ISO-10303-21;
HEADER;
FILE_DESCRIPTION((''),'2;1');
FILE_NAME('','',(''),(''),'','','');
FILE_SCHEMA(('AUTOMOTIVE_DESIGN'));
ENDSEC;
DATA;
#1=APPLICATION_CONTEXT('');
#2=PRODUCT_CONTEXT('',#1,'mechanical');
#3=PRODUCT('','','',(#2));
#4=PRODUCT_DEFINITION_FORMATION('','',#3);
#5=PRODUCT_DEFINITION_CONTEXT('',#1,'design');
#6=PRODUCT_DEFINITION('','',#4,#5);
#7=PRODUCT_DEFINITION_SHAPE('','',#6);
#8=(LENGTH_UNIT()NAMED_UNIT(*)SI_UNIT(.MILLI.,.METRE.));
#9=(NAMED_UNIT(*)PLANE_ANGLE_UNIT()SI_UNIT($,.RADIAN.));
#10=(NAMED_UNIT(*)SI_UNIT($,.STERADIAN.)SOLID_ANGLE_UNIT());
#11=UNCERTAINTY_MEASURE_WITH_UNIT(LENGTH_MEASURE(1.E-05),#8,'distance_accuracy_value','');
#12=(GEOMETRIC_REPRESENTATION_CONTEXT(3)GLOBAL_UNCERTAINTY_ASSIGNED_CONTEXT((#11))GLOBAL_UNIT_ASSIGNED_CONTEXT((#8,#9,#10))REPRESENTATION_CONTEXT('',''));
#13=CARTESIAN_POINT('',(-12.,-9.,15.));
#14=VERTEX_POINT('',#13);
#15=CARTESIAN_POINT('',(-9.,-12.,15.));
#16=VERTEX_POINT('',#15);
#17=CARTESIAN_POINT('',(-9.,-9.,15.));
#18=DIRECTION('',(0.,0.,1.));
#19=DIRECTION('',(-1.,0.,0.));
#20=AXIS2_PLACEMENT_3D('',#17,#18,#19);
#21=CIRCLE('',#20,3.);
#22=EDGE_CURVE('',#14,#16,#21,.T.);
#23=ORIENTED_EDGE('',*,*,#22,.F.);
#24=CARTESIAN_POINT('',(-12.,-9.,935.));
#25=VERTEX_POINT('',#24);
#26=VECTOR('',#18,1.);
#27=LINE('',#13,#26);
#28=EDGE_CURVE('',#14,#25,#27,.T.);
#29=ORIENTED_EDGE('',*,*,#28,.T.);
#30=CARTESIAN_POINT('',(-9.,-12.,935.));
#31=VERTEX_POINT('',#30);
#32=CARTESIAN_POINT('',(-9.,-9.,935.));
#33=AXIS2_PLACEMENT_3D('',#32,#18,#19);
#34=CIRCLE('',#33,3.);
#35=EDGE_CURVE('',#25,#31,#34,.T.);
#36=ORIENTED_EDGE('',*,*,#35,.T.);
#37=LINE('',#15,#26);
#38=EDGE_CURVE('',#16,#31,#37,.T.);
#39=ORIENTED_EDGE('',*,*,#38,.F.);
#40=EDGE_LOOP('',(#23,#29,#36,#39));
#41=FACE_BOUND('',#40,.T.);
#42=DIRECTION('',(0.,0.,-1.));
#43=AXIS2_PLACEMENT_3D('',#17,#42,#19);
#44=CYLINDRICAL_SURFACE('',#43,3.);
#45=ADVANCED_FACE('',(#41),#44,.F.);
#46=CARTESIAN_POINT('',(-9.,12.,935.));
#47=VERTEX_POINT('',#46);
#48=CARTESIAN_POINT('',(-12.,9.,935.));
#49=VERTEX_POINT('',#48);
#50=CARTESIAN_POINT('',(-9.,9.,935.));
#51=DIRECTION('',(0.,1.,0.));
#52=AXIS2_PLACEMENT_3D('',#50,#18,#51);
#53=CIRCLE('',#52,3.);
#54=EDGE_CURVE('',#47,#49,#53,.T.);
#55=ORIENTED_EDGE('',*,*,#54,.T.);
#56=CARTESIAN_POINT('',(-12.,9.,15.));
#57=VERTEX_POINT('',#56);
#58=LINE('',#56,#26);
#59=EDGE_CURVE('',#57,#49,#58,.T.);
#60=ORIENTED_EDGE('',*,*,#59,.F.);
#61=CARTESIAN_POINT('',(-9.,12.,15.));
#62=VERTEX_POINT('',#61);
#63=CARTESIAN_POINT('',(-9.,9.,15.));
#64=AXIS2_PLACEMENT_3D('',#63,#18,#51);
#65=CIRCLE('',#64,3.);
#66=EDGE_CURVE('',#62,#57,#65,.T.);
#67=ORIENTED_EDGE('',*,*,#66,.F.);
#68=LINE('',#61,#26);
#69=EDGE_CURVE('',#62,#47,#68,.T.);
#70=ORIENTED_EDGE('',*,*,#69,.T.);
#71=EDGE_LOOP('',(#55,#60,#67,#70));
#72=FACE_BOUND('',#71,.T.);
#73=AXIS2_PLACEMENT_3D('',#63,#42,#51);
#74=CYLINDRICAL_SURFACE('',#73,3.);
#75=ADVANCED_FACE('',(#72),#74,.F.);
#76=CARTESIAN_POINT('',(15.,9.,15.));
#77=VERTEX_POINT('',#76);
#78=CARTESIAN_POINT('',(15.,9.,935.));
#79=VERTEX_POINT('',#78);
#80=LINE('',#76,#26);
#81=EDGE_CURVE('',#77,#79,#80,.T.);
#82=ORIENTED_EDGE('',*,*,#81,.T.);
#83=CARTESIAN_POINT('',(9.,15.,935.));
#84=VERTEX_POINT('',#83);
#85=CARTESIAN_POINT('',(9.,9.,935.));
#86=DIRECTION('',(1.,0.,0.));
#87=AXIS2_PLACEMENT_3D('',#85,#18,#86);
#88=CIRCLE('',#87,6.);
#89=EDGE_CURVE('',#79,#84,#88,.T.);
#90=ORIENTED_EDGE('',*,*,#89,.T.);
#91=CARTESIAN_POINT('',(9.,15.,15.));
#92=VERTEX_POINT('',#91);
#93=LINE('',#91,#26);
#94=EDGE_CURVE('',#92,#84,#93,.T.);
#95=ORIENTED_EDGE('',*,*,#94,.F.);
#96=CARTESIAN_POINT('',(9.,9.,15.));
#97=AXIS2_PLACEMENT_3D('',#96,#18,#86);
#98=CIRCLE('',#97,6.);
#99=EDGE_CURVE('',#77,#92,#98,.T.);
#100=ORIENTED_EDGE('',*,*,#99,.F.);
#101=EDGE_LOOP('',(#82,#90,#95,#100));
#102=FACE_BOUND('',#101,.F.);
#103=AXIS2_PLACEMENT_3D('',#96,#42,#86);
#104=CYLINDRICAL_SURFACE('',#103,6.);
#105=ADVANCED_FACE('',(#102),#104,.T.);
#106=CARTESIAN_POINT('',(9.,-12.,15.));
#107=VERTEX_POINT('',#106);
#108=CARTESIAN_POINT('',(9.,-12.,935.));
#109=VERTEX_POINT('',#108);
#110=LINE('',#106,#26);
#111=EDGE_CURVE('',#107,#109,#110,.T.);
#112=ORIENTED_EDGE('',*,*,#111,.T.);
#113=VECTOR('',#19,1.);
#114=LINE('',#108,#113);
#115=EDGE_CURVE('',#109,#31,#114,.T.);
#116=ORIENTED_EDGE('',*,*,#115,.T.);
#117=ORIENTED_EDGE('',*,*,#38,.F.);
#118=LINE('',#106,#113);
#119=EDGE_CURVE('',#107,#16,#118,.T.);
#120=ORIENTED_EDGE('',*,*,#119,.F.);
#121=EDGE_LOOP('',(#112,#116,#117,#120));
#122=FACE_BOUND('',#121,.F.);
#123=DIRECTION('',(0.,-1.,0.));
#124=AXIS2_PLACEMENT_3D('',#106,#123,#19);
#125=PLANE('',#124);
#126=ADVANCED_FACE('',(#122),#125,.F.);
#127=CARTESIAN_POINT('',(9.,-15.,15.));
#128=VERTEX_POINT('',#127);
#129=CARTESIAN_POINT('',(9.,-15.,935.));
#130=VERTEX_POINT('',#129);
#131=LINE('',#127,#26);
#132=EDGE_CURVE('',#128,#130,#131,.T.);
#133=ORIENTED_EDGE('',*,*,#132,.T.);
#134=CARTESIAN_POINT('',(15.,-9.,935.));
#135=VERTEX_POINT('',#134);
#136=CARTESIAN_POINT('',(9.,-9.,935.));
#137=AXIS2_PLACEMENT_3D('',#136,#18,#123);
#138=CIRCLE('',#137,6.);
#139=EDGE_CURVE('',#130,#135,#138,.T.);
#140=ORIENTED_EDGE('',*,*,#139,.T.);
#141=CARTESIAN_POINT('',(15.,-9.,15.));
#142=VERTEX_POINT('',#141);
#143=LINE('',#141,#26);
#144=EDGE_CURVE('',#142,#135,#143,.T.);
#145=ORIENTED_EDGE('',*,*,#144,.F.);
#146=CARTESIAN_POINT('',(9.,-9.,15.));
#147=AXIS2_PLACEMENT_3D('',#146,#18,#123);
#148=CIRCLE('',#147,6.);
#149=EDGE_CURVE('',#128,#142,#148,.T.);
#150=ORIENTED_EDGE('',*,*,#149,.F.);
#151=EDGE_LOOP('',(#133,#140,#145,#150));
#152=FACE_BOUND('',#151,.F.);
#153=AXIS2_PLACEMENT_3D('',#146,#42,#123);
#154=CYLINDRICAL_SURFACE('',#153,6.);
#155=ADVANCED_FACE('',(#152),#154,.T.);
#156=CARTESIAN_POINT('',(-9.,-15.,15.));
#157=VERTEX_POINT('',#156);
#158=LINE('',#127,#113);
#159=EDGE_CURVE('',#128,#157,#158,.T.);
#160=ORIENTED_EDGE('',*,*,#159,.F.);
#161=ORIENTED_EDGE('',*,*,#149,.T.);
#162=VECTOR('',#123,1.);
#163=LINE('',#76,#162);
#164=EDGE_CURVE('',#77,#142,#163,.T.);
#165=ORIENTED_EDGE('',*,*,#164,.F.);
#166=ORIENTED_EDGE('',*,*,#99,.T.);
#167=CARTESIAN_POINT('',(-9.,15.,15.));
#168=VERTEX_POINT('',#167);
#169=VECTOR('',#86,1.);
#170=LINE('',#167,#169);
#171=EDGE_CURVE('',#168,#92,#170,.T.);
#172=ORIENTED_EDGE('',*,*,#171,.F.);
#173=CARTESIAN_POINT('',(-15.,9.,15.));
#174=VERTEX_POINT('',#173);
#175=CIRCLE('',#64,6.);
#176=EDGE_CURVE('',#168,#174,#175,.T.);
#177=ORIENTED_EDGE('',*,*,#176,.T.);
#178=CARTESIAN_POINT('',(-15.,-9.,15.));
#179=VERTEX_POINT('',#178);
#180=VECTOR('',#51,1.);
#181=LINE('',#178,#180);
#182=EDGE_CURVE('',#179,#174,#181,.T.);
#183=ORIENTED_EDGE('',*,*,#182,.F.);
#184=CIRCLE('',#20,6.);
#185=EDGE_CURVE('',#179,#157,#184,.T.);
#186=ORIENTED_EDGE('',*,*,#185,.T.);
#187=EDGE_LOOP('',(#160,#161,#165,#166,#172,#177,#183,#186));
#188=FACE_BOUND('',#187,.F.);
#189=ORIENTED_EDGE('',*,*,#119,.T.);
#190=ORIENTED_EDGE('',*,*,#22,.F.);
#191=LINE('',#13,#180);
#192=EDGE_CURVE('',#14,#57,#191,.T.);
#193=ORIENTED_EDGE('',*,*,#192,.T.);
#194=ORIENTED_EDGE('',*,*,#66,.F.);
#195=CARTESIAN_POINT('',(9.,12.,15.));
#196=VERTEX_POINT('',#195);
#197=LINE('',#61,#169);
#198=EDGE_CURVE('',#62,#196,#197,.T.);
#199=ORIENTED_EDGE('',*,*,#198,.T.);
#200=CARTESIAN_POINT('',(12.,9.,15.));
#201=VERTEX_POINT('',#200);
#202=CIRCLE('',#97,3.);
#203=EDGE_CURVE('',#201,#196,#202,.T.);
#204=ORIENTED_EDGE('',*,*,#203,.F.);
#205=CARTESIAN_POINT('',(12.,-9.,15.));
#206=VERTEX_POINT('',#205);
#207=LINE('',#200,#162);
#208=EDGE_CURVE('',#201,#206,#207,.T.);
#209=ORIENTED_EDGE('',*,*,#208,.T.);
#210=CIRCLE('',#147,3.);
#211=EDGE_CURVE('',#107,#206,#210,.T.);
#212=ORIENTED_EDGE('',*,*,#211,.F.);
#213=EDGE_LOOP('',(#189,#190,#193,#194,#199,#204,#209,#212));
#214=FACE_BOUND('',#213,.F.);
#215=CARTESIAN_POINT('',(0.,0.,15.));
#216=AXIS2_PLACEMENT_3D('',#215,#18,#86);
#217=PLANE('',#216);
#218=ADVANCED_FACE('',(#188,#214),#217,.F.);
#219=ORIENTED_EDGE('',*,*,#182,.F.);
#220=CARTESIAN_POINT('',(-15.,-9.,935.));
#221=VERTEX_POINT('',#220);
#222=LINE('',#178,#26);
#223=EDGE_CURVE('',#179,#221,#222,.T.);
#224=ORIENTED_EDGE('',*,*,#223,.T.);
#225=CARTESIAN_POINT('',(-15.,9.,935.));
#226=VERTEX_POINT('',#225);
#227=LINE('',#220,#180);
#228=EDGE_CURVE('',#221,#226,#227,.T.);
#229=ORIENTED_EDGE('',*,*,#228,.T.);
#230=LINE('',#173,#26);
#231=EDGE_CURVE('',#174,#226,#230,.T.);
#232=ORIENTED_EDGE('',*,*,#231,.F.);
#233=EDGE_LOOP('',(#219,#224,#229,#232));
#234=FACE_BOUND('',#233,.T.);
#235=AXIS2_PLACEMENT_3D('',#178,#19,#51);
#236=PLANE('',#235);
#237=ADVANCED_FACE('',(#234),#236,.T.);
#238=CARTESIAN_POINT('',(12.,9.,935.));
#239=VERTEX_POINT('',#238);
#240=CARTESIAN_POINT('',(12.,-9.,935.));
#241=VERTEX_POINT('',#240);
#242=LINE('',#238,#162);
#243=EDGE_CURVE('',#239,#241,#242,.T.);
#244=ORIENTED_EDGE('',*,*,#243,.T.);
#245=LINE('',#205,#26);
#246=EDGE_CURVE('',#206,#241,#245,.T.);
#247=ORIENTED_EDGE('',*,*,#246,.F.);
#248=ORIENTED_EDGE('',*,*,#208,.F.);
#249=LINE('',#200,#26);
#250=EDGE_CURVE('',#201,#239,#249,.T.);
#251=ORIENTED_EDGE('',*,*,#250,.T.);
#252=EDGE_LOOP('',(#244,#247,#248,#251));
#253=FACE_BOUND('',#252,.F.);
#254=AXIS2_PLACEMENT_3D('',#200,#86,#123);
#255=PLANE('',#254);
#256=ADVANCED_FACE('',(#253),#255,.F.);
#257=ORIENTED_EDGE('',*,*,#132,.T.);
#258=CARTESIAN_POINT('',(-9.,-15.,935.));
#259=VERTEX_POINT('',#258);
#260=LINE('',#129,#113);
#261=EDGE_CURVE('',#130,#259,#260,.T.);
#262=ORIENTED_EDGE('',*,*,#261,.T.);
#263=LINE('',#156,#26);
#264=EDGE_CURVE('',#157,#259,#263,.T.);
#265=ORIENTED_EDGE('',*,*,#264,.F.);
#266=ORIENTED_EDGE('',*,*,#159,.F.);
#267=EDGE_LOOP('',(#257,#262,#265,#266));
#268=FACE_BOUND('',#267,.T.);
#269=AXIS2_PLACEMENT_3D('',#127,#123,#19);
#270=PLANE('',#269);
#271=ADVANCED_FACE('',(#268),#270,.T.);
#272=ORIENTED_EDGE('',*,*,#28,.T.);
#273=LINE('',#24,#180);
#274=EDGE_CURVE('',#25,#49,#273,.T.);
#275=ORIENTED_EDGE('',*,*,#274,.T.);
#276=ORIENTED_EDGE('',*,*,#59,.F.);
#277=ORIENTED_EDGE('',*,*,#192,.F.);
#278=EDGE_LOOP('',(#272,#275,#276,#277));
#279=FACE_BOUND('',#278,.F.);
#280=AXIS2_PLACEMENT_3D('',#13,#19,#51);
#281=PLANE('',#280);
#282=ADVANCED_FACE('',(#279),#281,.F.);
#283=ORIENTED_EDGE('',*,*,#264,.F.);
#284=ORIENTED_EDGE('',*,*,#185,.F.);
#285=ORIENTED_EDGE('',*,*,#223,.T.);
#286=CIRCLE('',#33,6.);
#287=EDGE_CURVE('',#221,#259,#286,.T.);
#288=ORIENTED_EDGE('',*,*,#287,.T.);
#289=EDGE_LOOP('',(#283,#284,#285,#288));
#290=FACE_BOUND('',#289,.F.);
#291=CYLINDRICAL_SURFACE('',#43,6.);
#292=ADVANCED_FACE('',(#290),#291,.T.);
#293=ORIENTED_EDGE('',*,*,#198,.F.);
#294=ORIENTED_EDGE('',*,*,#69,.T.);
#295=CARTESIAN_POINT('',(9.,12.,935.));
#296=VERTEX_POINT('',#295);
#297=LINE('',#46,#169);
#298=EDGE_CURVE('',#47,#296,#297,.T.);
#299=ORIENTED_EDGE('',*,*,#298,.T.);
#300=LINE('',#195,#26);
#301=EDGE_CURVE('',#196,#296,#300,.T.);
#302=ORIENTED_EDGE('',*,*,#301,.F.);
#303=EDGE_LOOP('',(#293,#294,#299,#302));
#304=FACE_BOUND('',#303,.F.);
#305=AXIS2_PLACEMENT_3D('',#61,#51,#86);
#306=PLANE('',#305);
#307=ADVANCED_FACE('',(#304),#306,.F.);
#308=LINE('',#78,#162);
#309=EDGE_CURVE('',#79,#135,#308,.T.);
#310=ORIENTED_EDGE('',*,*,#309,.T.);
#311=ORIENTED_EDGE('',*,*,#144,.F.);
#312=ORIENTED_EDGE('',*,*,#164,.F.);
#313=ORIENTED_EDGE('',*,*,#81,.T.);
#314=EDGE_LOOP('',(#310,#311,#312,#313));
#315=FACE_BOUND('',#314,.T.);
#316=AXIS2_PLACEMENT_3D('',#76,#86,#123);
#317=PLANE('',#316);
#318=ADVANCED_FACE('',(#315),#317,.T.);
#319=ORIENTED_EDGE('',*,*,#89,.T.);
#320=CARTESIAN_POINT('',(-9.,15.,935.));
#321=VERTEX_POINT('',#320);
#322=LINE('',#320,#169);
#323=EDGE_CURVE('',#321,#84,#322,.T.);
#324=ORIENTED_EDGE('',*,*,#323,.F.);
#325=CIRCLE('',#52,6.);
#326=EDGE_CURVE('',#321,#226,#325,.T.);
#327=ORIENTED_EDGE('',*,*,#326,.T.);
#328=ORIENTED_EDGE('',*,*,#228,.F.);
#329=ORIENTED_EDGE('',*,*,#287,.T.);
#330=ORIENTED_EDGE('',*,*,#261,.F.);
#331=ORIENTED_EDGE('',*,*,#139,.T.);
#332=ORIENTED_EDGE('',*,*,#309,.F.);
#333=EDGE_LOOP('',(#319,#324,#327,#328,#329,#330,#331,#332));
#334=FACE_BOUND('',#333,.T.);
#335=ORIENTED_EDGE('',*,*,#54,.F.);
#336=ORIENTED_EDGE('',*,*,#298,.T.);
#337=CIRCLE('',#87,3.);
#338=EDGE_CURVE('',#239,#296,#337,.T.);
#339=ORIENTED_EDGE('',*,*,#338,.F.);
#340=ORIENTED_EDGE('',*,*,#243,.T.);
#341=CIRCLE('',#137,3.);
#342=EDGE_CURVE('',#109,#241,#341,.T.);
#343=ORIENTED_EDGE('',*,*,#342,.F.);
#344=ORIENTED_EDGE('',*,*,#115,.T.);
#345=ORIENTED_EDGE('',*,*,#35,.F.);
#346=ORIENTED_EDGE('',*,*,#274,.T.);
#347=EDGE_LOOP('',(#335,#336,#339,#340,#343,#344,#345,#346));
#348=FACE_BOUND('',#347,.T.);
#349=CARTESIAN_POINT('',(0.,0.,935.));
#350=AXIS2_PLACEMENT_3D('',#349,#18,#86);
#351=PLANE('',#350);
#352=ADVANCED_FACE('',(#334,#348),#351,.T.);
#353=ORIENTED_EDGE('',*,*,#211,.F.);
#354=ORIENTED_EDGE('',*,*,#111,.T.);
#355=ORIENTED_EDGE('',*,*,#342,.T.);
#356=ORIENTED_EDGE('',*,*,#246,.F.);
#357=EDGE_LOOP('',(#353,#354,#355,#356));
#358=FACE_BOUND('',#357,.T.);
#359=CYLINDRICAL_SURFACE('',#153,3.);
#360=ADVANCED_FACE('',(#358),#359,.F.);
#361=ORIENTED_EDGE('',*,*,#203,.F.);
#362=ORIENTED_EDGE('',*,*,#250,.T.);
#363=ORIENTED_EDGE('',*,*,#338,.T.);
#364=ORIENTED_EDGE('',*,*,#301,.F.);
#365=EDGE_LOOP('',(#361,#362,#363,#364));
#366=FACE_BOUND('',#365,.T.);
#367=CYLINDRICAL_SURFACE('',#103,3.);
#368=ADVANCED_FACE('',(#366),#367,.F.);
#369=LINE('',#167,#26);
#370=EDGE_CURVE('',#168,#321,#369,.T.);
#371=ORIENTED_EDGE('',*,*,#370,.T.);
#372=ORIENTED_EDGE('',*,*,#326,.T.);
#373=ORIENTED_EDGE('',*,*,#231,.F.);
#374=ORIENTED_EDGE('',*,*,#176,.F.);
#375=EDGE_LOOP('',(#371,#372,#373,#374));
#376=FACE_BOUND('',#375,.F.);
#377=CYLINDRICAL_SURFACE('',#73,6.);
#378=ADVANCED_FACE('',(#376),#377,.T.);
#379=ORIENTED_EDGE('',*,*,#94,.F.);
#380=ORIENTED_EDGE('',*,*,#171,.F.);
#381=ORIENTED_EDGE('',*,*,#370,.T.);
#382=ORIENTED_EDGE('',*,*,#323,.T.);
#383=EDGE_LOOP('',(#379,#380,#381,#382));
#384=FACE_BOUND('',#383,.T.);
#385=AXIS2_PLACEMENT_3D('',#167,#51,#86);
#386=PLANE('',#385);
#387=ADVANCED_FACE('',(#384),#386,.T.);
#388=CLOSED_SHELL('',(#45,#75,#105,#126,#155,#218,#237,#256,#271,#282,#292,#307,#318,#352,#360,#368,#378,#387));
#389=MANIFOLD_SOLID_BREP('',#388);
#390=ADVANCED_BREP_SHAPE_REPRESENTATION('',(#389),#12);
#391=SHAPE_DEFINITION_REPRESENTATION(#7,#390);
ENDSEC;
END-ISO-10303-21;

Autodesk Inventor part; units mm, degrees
ref_plane "Start Plane" through (0, 0, 15) normal (0, 0, 1) x (1, 0, 0)
ref_plane "End Plane" through (0, 0, 935) normal (0, 0, 1) x (1, 0, 0)
sketch "Sketch" plane through (0, 0, 0) normal (0, 0, 1) x (1, 0, 0)
  line L0 (-15, -9) -> (-15, 9)
  line L1 (-9, 15) -> (9, 15)
  line L2 (15, 9) -> (15, -9)
  line L3 (9, -15) -> (-9, -15)
  arc A0 (-15, -9) -> (-9, -15) centre (-9, -9) ccw
  arc A1 (-9, 15) -> (-15, 9) centre (-9, 9) ccw
  arc A2 (15, 9) -> (9, 15) centre (9, 9) ccw
  arc A3 (9, -15) -> (15, -9) centre (9, -9) ccw
  arc A4 (-9, 12) -> (-12, 9) centre (-9, 9) ccw
  line L4 (-9, 12) -> (9, 12)
  arc A5 (12, 9) -> (9, 12) centre (9, 9) ccw
  line L5 (12, 9) -> (12, -9)
  arc A6 (9, -12) -> (12, -9) centre (9, -9) ccw
  line L6 (9, -12) -> (-9, -12)
  arc A7 (-12, -9) -> (-9, -12) centre (-9, -9) ccw
  line L7 (-12, -9) -> (-12, 9)
  line L8 (0, 22.7397) -> (0, -22.7397) construction
  line L9 (-22.7397, 0) -> (22.7397, 0) construction
  dimension "d7" = 6
  dimension "d10" = 30
  dimension "d11" = 30
  dimension "d12" = 3
  dimension "d15" = 15
  dimension "d16" = 15
extrude "Body" add sketch "Sketch" along normal up to surface (920 mm away) from surface at 15
sketch "Sketch3" plane through (0, 0, 0) normal (0, 0, 1) x (1, 0, 0)
  line L0 (0, 0) -> (10, 0)
ref_plane "Work Plane3" through (0, 0, 0) normal (0, -1, 0) x (1, 0, 0)
ref_plane "Work Plane4" through (-9, 0, 935) normal (0, 0, 1) x (1, 0, 0)
split "Split1" plane through (-9, 0, 935) removes the side toward (0, 0, 1)
ref_plane "Work Plane5" through (-409, 1000, 15) normal (0, 0, -1) x (-1, 0, 0)
split "Split2" plane through (-409, 1000, 15) removes the side toward (0, 0, -1)
sketch "Sketch4" plane through (0, 0, 0) normal (0, -1, 0) x (1, 0, 0)
  line L0 (-2, 15) -> (12, 15) projected
  line L1 (-2, 935) -> (12, 935) projected
  dimension "d18" = 920
equation "\"d7\" = G_IR"
equation "\"d10\" = G_H"
equation "\"d11\" = G_W"
equation "\"d12\" = G_T"
equation "\"d15\" = 0.5 * d10"
equation "\"d16\" = 0.5 * d11"
equation "\"d3\" = G_L"
equation "\"G_W\" = 30"
equation "\"G_H\" = 30"
equation "\"G_T\" = 3"
equation "\"G_IR\" = 6"
equation "\"G_L\" = d18"
equation "\"G_OFFSET_START\" = -15"
equation "\"G_OFFSET_END\" = -15"
equation "\"d13\" = -G_OFFSET_START"
equation "\"d14\" = G_OFFSET_END + B_L"
equation "\"B_L\" = 950"
properties part number "DIN EN 10219-2 - 30 x 30 x 3  - 920" material "Steel, Mild"
